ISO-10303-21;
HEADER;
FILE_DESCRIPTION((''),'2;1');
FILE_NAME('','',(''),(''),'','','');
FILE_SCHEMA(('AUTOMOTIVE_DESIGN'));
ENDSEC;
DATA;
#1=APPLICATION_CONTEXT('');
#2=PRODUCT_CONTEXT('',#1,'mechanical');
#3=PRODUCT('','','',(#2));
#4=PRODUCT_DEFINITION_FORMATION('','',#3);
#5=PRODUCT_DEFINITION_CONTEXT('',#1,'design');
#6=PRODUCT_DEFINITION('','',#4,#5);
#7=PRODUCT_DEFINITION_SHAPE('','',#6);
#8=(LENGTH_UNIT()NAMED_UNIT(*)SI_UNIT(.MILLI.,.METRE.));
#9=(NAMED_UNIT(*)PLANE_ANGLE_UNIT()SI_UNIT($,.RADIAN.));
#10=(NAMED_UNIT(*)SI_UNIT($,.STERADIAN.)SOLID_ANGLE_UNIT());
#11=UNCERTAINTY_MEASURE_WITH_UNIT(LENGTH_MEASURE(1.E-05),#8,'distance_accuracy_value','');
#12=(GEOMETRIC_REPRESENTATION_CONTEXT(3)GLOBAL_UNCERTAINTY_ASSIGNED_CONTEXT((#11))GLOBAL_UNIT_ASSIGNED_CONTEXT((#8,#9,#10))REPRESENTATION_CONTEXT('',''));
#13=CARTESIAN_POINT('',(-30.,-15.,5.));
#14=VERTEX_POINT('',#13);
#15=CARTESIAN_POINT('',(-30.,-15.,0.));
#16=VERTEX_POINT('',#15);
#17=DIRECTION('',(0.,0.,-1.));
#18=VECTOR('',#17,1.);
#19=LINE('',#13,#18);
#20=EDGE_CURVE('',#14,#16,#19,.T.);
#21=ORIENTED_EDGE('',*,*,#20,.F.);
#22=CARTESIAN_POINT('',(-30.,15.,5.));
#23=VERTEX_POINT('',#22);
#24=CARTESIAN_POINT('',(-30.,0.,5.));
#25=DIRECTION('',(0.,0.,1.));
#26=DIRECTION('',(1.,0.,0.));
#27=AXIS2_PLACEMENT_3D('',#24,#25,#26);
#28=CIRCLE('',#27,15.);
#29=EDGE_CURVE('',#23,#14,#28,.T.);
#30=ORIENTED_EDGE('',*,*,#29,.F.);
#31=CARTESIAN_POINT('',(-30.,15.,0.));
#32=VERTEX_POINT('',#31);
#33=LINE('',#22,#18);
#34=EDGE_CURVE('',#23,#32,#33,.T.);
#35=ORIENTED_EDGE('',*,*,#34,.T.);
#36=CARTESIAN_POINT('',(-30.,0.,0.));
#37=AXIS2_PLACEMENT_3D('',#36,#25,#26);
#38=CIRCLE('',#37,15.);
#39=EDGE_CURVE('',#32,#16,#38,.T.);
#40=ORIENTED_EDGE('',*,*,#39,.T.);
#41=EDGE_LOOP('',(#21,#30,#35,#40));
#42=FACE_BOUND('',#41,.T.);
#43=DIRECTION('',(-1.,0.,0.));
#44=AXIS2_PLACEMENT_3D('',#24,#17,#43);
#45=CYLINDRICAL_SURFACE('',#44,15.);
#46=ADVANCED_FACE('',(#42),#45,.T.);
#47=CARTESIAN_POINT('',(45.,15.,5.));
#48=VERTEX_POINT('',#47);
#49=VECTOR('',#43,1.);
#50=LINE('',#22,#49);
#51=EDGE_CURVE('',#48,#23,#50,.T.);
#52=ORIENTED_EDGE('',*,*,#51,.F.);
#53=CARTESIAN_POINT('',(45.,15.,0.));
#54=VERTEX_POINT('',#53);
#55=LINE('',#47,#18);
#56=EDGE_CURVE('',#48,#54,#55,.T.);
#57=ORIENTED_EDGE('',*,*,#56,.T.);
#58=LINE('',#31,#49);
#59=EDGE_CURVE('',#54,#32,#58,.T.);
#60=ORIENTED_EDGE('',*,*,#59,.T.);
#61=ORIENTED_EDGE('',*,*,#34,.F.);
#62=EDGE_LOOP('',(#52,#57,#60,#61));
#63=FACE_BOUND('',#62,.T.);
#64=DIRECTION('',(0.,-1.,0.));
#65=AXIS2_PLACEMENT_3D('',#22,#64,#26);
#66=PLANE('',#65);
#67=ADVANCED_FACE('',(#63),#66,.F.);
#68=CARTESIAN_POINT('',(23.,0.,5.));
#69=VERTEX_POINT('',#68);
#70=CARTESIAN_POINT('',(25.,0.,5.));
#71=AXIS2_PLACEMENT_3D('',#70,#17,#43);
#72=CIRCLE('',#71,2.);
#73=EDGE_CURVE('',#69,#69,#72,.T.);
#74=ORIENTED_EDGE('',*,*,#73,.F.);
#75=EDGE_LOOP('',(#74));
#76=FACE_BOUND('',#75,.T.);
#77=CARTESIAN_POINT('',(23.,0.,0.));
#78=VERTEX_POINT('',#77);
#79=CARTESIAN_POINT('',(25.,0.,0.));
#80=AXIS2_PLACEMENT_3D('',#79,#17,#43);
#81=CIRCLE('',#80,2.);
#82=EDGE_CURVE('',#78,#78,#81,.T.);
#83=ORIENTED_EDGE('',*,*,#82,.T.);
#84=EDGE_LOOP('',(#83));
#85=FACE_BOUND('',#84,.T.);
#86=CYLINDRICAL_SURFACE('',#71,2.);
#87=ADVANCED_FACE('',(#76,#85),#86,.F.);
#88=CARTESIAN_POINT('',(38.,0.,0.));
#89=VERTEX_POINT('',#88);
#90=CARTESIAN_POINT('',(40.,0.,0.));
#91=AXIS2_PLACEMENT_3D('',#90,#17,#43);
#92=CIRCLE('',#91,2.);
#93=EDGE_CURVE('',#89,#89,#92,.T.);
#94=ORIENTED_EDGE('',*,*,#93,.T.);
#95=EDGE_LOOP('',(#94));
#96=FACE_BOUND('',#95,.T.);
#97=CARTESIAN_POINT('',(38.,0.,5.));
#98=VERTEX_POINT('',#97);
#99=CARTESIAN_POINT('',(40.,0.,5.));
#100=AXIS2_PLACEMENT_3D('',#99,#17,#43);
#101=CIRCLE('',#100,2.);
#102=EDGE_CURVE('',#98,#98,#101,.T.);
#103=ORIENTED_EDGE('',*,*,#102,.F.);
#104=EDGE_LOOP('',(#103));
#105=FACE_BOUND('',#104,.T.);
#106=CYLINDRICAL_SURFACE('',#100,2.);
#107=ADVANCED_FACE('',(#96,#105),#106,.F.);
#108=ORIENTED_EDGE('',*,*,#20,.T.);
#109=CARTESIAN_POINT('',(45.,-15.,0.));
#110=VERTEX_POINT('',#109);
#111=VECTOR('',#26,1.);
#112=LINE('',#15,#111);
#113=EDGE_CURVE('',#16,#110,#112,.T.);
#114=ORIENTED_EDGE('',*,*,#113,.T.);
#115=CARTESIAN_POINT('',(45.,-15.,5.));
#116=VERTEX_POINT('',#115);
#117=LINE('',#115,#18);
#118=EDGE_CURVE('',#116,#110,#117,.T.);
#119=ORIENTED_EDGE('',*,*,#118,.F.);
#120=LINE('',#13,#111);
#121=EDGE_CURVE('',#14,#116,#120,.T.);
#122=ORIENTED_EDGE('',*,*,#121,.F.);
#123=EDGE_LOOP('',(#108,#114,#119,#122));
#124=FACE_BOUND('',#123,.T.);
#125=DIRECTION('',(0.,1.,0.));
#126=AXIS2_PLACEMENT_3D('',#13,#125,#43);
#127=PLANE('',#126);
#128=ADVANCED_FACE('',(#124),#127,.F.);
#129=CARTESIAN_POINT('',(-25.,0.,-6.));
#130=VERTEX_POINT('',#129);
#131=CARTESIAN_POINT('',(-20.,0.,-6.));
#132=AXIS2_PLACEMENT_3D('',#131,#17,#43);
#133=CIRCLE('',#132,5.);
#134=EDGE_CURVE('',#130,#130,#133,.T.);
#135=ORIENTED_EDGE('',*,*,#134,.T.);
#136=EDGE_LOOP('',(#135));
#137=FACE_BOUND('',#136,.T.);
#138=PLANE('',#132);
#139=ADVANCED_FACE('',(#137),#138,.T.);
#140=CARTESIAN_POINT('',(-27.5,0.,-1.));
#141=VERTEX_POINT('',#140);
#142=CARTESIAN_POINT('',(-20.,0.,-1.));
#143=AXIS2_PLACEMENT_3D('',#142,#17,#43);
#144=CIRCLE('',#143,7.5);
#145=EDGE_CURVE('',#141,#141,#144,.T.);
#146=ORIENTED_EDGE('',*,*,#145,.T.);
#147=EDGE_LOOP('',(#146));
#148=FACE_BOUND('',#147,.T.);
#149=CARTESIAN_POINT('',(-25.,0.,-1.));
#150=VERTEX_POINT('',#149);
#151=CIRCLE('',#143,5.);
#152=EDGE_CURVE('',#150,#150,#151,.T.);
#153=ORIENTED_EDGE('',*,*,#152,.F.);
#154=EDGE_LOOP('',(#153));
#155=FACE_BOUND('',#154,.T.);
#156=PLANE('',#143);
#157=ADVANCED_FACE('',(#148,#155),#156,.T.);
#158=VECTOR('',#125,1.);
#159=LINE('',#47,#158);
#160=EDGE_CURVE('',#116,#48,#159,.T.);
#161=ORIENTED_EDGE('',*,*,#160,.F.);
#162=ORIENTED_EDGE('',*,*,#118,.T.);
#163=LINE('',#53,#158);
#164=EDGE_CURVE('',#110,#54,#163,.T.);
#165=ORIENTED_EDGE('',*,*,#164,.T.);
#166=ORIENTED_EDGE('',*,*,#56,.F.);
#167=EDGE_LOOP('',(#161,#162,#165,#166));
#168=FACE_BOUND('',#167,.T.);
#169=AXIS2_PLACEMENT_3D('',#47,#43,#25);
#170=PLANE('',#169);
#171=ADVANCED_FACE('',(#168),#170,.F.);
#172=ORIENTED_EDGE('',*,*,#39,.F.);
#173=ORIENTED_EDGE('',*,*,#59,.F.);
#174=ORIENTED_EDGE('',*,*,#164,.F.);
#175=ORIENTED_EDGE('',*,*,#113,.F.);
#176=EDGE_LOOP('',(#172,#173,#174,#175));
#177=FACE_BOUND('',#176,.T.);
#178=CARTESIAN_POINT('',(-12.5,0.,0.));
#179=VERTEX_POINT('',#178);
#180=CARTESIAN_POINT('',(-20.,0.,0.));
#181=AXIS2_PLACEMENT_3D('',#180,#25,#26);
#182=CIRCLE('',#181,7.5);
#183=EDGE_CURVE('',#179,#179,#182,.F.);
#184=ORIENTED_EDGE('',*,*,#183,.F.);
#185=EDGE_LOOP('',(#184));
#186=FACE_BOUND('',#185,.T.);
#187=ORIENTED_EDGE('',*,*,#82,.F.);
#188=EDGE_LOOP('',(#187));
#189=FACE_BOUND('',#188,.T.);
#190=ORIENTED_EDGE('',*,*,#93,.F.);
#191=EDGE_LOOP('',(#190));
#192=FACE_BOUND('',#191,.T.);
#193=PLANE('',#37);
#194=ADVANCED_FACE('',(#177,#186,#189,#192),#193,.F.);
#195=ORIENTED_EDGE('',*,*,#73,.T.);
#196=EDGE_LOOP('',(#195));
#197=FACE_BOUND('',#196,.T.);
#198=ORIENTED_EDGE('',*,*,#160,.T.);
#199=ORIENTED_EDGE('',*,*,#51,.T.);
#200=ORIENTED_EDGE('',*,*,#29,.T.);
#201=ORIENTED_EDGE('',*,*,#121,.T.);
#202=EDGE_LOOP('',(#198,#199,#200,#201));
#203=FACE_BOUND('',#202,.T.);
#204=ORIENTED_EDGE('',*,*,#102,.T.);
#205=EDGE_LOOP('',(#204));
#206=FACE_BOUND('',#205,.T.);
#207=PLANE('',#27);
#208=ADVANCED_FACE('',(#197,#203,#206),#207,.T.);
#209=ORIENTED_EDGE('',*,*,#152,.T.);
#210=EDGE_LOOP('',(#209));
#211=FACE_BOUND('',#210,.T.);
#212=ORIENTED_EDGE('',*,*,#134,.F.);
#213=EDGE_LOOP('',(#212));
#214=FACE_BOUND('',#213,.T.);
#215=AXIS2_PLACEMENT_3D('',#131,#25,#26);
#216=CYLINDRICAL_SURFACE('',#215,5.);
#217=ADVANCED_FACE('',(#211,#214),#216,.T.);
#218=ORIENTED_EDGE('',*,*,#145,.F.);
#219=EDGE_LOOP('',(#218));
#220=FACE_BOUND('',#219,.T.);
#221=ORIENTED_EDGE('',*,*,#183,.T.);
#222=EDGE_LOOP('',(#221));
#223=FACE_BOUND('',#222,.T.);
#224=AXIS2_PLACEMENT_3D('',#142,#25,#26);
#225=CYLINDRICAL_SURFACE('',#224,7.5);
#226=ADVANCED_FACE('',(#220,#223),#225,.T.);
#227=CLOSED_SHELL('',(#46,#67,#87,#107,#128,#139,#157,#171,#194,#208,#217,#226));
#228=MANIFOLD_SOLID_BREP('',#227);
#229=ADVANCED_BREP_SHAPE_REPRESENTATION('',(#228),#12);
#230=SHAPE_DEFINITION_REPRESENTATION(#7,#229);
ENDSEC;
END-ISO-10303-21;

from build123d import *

# Parameters (mm, degrees)
BOSS_EXTRUDE2_DEPTH = 5
SKETCH3_R           = 2
CUT_EXTRUDE1_DEPTH  = 48.696960071
SKETCH4_R           = 7.5
BOSS_EXTRUDE5_DEPTH = 1
SKETCH6_R           = 5
BOSS_EXTRUDE6_DEPTH = 5


with BuildPart() as part:
    # Sketch1 → Boss-Extrude2 (new body)
    with BuildSketch(Plane.XY):
        with BuildLine():
            Line((-30, 15), (45, 15))
            Line((45, 15), (45, -15))
            Line((45, -15), (-30, -15))
            ThreePointArc((-30, -15), (-45, 0), (-30, 15))
        make_face()
    extrude(amount=BOSS_EXTRUDE2_DEPTH)

    # Sketch3 → Cut-Extrude1 (cut, through all)
    with BuildSketch(Plane(origin=(0, 0, 0), x_dir=(-1, 0, 0), z_dir=(0, 0, -1))):
        with Locations((-40, 0)):
            Circle(SKETCH3_R)
        with Locations((-25, 0)):
            Circle(SKETCH3_R)
    extrude(amount=-CUT_EXTRUDE1_DEPTH, mode=Mode.SUBTRACT)

    # Sketch4 → Boss-Extrude5 (add)
    with BuildSketch(Plane(origin=(0, 0, 0), x_dir=(-1, 0, 0), z_dir=(0, 0, -1))):
        with Locations(Location((20, 0, 0), (0, 0, 180))):
            Circle(SKETCH4_R)
    extrude(amount=BOSS_EXTRUDE5_DEPTH)

    # Sketch6 → Boss-Extrude6 (add)
    with BuildSketch(Plane(origin=(0, 0, -1), x_dir=(-1, 0, 0), z_dir=(0, 0, -1))):
        with Locations((20, 0)):
            Circle(SKETCH6_R)
    extrude(amount=BOSS_EXTRUDE6_DEPTH)


solid = part.part
